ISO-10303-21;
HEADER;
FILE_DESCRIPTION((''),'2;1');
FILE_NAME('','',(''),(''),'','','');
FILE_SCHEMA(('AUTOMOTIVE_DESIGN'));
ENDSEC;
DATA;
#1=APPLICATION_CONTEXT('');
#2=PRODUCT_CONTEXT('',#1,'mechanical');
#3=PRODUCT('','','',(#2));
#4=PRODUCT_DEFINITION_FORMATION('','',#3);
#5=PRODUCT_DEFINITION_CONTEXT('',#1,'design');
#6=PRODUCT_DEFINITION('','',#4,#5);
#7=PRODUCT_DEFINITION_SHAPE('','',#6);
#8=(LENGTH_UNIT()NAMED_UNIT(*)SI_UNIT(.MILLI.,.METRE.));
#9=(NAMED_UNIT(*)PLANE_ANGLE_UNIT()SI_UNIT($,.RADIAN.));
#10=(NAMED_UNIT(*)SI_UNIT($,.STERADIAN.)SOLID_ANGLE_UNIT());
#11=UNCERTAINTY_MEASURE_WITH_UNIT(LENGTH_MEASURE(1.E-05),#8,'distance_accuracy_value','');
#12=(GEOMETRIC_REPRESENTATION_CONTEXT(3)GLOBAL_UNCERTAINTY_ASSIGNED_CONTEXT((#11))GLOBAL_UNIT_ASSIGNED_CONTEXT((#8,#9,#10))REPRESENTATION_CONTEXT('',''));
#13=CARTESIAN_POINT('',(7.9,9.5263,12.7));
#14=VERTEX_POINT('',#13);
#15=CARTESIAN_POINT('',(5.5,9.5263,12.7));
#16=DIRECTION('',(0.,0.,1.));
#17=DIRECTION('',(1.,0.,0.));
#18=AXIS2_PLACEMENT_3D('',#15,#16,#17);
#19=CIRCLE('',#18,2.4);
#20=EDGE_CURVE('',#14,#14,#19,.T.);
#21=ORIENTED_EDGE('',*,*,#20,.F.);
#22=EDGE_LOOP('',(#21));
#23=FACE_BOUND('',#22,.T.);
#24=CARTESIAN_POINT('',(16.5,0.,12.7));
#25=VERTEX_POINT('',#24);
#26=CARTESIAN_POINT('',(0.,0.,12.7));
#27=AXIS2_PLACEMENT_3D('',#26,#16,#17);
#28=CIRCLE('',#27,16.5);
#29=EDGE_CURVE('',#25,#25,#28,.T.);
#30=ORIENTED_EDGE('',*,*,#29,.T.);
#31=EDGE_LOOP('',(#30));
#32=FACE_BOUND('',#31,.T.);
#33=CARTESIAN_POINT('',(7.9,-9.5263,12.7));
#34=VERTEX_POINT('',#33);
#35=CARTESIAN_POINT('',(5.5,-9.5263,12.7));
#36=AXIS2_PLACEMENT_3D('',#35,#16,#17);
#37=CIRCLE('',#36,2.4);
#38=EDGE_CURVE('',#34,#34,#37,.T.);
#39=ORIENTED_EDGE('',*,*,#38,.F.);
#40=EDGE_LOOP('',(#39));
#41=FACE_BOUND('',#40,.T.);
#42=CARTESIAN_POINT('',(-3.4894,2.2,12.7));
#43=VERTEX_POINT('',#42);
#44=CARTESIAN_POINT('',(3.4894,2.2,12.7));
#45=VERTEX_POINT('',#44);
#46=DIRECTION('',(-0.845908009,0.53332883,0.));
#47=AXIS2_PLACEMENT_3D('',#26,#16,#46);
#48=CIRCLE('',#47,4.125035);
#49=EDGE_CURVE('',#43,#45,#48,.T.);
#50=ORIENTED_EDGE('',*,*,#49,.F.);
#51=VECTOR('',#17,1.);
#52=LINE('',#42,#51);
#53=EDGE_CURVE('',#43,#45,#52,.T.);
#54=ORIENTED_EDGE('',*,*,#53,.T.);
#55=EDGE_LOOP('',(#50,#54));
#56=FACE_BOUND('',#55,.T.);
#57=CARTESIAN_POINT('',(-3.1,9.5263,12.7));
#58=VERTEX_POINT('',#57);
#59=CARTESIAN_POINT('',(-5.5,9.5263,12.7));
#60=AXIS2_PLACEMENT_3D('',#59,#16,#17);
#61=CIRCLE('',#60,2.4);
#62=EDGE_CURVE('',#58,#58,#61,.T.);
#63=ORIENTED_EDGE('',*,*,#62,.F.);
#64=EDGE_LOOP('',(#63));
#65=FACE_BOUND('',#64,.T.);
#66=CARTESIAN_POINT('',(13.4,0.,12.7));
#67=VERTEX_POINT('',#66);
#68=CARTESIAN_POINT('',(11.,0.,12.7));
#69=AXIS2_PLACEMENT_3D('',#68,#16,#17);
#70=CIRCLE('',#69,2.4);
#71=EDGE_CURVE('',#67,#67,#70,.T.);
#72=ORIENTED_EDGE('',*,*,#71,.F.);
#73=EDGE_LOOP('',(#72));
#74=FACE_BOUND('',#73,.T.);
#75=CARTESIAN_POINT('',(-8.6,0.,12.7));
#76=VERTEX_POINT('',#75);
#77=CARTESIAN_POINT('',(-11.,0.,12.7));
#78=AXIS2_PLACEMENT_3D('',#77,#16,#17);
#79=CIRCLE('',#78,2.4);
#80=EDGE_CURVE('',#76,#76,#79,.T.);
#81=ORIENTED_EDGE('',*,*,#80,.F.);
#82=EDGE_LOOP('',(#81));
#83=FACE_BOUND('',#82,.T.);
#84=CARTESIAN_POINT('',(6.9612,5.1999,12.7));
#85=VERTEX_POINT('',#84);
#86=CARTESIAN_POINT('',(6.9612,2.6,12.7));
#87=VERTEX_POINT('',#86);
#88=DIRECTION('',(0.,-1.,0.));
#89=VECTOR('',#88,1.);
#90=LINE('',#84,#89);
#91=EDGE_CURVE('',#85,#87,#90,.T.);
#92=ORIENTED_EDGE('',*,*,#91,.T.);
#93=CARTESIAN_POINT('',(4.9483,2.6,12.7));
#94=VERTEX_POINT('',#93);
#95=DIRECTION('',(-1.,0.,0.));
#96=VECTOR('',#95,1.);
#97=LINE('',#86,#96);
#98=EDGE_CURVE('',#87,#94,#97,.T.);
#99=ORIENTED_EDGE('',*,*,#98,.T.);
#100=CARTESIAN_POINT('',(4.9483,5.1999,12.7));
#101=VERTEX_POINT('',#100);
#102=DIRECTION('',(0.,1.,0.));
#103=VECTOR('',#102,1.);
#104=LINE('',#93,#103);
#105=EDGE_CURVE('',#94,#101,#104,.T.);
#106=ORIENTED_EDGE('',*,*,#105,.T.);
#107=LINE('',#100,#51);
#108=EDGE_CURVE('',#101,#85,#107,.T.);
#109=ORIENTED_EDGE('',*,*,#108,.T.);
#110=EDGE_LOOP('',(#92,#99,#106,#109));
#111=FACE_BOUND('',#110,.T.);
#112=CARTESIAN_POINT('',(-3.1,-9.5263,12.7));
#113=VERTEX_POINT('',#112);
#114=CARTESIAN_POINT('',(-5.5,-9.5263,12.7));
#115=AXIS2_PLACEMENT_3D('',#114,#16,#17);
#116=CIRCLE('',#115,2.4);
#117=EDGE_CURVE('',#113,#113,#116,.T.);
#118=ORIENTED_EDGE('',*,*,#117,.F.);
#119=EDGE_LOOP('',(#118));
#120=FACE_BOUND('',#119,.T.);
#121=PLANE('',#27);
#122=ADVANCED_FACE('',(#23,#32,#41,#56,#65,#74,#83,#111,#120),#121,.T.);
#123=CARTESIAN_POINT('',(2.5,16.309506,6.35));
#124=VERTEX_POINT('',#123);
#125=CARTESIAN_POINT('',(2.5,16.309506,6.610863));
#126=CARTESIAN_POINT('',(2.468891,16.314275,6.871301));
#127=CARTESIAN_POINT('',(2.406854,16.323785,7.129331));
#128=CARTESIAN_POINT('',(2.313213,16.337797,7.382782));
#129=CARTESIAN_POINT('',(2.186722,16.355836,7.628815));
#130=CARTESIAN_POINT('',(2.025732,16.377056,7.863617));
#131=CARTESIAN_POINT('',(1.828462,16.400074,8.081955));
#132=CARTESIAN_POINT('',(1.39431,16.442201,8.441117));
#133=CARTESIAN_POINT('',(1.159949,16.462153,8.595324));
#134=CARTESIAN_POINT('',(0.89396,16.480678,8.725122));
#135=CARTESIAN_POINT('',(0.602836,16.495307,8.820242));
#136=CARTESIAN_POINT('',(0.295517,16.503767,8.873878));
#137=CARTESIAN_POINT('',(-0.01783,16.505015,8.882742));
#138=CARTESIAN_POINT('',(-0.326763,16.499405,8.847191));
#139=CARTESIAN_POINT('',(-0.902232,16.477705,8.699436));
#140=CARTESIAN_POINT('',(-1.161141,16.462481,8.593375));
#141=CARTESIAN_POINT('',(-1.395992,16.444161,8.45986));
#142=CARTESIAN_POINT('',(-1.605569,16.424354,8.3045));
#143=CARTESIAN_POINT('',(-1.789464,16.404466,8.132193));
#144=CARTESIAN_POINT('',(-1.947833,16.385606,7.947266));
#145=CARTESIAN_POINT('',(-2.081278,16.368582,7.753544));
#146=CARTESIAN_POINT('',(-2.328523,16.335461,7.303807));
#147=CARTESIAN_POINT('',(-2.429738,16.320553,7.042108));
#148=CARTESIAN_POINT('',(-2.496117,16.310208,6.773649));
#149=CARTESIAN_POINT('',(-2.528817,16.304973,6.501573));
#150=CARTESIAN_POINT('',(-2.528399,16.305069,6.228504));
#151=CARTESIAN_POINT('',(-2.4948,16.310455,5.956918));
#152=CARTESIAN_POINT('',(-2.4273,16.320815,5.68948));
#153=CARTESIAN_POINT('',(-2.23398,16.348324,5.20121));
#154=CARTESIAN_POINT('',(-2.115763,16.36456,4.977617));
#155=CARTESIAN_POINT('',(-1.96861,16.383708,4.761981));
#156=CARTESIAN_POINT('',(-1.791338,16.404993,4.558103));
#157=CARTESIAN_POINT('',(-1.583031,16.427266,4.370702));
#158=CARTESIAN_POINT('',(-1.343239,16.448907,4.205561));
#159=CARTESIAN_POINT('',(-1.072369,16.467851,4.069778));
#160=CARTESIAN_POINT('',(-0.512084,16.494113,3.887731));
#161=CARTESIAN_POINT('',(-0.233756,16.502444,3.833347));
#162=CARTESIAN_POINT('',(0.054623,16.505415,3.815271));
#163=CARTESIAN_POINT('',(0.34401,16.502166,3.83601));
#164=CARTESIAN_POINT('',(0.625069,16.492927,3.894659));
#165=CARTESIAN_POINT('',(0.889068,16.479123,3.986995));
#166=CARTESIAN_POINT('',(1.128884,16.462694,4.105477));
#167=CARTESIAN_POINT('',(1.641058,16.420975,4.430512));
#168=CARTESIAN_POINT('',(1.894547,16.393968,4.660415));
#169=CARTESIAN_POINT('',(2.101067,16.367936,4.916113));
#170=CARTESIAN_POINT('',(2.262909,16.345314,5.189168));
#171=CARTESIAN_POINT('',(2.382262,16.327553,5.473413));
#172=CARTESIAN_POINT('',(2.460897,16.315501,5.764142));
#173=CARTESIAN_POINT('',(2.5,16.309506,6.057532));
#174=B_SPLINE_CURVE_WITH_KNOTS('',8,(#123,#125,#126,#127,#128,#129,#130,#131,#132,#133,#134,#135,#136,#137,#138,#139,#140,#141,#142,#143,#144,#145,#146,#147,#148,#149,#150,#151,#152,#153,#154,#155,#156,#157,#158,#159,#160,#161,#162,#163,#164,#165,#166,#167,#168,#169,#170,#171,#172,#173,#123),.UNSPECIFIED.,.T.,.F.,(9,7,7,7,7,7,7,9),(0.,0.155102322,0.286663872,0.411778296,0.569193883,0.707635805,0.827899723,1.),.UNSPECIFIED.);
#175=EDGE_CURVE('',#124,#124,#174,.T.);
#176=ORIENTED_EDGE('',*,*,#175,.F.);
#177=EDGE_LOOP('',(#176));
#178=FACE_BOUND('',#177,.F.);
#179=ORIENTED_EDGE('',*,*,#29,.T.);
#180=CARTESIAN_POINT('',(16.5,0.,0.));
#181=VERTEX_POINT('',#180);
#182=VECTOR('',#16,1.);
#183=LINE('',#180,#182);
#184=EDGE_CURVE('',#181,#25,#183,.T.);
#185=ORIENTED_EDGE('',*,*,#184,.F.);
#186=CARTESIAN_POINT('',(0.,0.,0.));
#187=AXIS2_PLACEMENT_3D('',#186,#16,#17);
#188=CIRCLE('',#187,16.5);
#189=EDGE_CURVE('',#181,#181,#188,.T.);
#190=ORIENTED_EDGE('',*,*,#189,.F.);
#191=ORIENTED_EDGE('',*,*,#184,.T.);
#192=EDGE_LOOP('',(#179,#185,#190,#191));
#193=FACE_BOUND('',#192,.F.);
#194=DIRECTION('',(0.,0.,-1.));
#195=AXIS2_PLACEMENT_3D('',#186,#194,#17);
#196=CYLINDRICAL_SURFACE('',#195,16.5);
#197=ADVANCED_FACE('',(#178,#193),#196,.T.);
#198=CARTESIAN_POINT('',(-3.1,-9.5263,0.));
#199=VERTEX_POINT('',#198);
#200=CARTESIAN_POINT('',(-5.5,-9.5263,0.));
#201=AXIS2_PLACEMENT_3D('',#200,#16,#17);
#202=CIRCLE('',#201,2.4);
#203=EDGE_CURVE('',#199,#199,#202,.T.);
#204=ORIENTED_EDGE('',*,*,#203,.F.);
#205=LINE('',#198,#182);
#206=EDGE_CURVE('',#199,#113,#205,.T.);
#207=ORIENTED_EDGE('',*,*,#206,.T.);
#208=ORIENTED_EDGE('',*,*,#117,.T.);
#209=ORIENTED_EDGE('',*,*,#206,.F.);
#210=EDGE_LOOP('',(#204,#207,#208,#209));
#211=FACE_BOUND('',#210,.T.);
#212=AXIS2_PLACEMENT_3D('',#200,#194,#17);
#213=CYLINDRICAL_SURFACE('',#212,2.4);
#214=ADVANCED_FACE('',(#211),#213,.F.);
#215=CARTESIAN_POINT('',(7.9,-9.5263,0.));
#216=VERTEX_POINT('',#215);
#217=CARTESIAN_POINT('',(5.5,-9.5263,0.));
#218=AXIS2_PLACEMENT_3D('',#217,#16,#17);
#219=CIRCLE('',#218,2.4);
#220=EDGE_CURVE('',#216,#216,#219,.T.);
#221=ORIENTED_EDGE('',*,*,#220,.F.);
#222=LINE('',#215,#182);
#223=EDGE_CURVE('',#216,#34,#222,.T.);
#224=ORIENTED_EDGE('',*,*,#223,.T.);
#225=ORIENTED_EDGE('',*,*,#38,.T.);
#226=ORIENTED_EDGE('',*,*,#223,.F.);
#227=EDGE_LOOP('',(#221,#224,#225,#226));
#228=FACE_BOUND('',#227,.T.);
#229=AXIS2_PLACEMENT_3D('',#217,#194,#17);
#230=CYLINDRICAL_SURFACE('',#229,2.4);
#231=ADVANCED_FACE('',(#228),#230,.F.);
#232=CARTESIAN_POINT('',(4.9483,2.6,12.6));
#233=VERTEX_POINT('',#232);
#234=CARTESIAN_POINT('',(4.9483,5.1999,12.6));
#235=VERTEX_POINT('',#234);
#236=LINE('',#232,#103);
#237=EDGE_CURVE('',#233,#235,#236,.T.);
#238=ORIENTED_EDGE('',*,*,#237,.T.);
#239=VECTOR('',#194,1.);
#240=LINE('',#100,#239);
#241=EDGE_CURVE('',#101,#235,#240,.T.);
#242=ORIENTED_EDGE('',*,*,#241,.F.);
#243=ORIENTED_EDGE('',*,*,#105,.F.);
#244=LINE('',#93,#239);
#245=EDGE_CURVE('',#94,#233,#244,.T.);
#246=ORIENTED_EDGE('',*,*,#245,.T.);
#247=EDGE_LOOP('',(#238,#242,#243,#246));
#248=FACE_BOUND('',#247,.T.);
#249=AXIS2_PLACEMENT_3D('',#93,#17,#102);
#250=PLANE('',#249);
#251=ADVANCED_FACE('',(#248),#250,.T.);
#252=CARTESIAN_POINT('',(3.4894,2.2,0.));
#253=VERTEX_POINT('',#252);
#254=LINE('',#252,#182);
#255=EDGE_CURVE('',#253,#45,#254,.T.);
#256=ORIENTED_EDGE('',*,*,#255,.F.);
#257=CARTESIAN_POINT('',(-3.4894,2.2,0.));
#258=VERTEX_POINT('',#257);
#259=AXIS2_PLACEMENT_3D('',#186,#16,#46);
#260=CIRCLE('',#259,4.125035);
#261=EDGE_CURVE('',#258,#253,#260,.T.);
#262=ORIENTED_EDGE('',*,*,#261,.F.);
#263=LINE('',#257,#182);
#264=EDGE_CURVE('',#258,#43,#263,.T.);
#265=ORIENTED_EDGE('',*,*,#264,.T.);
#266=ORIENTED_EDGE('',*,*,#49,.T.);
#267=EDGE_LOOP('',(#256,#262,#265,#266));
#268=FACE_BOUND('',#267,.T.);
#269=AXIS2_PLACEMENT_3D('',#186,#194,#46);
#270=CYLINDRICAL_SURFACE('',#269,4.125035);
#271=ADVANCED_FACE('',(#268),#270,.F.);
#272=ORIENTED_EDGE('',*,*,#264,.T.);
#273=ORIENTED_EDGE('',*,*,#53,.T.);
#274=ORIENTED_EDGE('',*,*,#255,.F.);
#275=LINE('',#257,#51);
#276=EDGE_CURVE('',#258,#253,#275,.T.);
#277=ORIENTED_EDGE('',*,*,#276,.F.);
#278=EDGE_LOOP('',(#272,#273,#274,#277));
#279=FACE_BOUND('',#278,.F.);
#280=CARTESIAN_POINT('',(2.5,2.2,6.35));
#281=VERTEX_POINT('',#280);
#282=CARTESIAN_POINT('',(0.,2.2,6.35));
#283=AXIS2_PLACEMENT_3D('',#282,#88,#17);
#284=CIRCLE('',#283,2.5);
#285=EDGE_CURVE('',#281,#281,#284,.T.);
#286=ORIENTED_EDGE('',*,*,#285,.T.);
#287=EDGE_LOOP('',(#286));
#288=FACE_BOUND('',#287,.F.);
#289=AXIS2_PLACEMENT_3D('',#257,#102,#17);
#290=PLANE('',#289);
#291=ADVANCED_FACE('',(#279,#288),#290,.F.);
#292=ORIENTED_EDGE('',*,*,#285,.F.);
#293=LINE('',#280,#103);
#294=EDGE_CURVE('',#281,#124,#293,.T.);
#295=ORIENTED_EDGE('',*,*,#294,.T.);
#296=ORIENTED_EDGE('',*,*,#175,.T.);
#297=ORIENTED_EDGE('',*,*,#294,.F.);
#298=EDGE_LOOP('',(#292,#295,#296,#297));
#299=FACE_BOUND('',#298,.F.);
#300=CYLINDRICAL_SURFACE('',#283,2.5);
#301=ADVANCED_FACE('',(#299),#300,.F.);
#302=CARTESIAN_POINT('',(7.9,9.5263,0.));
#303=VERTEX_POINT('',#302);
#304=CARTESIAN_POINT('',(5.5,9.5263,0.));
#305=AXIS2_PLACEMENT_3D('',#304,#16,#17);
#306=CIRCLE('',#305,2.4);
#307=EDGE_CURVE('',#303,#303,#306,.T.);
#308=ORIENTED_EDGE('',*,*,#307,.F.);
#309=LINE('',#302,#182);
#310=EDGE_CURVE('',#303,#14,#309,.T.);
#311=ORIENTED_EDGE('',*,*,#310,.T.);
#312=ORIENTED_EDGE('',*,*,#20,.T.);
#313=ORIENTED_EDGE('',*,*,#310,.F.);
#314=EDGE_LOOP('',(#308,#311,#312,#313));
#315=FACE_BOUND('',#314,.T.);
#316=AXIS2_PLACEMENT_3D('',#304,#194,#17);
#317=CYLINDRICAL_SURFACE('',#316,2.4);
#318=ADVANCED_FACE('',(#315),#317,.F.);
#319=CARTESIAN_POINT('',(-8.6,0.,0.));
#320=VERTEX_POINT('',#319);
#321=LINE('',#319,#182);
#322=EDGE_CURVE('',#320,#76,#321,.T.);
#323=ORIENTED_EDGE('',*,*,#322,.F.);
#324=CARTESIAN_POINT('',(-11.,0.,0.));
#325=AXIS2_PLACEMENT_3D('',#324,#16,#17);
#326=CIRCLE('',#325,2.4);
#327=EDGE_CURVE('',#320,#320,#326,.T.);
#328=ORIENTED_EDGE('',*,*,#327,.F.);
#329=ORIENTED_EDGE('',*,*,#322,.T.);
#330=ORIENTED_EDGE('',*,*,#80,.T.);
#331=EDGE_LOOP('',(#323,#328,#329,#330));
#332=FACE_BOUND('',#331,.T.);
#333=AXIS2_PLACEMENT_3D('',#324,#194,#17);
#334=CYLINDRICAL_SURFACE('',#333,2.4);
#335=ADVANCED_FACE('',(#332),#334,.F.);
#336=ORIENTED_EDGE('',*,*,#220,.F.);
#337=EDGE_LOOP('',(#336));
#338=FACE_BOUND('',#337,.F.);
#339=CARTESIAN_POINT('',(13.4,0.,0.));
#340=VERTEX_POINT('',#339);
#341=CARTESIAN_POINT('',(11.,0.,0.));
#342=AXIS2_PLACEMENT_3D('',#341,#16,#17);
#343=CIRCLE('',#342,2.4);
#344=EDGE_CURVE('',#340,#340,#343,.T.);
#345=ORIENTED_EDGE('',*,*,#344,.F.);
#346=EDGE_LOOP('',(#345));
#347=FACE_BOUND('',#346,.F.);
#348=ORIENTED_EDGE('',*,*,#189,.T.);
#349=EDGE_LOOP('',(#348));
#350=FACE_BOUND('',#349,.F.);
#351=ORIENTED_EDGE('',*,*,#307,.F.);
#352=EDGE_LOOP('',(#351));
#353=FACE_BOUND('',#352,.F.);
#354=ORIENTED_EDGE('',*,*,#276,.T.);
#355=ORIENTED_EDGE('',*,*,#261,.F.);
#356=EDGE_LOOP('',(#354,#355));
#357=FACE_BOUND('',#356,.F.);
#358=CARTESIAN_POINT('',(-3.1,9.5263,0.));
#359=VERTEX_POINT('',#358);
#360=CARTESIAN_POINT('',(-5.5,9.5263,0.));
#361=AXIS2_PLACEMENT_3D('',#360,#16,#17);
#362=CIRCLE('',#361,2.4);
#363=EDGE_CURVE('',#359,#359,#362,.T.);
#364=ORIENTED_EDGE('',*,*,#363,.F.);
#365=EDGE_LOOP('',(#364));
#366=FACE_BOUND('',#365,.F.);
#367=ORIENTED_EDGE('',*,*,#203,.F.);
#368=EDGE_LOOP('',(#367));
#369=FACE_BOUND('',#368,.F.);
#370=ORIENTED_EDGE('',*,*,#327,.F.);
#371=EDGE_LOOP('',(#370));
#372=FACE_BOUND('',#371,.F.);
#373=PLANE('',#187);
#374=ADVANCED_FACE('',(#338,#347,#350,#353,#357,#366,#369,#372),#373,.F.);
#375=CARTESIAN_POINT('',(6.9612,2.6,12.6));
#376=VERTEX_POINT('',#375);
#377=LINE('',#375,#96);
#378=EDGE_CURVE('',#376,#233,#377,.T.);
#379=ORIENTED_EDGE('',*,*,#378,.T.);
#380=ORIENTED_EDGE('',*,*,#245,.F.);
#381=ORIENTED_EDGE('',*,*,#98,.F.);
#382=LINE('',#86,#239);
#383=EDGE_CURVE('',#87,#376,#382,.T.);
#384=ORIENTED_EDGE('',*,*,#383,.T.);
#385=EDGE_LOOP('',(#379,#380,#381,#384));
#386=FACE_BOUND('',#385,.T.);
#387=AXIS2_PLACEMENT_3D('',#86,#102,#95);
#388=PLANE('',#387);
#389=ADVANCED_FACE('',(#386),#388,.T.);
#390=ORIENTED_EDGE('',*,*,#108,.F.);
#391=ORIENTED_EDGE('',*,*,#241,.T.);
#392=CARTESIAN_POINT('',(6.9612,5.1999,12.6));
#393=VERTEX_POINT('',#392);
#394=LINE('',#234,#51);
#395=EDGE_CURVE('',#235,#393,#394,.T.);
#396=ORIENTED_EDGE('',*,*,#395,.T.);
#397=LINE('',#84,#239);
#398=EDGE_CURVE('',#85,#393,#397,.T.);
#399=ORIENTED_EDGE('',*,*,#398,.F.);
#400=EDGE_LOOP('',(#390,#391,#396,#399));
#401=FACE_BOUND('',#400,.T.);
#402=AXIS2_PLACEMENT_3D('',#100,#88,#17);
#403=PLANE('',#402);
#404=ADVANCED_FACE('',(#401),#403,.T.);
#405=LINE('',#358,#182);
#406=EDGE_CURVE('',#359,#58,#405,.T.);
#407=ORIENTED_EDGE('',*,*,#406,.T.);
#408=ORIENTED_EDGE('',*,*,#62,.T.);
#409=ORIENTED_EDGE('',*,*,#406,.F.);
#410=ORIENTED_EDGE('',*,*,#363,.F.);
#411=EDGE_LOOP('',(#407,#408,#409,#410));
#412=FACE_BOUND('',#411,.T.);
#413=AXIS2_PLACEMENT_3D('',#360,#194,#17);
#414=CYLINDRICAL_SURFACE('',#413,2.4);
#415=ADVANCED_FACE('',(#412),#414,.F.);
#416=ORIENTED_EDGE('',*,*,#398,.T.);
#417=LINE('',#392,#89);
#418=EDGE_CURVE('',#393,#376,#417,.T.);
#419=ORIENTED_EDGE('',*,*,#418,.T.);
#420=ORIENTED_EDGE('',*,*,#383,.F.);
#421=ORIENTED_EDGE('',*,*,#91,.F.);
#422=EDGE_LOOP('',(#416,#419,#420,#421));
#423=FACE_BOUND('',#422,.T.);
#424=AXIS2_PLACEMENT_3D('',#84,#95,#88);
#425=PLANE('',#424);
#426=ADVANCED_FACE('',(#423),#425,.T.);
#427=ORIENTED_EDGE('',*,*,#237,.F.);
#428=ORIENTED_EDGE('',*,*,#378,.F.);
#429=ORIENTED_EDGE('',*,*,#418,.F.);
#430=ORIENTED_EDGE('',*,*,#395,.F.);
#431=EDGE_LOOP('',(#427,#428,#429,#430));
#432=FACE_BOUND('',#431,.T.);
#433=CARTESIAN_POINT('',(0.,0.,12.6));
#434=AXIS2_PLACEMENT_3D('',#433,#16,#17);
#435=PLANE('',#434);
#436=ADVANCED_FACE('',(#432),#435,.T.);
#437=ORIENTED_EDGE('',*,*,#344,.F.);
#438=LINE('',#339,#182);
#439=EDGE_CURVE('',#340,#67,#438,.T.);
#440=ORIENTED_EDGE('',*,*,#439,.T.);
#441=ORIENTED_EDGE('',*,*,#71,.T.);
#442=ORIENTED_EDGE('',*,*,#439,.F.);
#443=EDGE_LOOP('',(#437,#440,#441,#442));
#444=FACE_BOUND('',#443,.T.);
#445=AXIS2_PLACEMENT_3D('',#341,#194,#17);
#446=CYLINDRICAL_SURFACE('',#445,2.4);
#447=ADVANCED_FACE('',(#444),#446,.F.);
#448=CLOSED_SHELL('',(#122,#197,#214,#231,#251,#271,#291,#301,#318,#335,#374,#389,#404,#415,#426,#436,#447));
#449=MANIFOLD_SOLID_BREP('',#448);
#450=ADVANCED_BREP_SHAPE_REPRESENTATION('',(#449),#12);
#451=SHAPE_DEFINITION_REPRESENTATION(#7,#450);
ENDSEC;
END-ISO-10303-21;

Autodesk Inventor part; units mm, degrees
ref_plane "YZ Plane" through (0, 0, 0) normal (1, 0, 0) x (0, 1, 0)
ref_plane "XZ Plane" through (0, 0, 0) normal (0, 1, 0) x (-1, 0, 0)
ref_plane "XY Plane" through (0, 0, 0) normal (0, 0, 1) x (1, 0, 0)
sketch "Sketch9" plane through (0, 0, 0) normal (0, 0, 1) x (1, 0, 0)
  circle A0 centre (0, 0) radius 4.125 construction
  circle A1 centre (0, 0) radius 16.5
  circle A2 centre (11, 0) radius 2.4
  circle A3 centre (5.5, 9.5263) radius 2.4
  circle A4 centre (-5.5, 9.5263) radius 2.4
  line L0 (-3.4894, 2.2) -> (3.4894, 2.2)
  arc A5 (-3.4894, 2.2) -> (3.4894, 2.2) centre (0, 0) ccw
  circle A6 centre (-11, 0) radius 2.4
  circle A7 centre (-5.5, -9.5263) radius 2.4
  circle A8 centre (5.5, -9.5263) radius 2.4
  dimension "d25" = 8.25
  dimension "d26" = 33
  dimension "d27" = 4.8
  dimension "d31" = 360
  dimension "d33" = 2.2
  dimension "d36" = 11
extrude "Extrusion8" add sketch "Sketch9" along normal blind 12.7
sketch "Sketch10" plane through (-3.4894, 2.2, 0) normal (0, -1, 0) x (1, 0, 0)
  line L0 (6.9787, 0) -> (0, 0) projected
  line L1 (6.9787, 0) -> (6.9787, 12.7) projected
  line L2 (0, 12.7) -> (6.9787, 12.7) projected
  line L3 (0, 0) -> (0, 12.7) projected
  circle A0 centre (3.4894, 6.35) radius 2.5
  point P0 (3.4894, 0)
  point P1 (3.4894, 12.7)
  point P2 (0, 6.35)
  dimension "d37" = 5
extrude "Extrusion9" cut sketch "Sketch10" against normal through all contours A0
sketch "Sketch11" plane through (0, 0, 12.7) normal (0, 0, 1) x (1, 0, 0)
  line L0 (4.9483, 5.1999) -> (6.9612, 5.1999)
  line L1 (6.9612, 5.1999) -> (6.9612, 2.6)
  line L2 (6.9612, 2.6) -> (4.9483, 2.6)
  line L3 (4.9483, 2.6) -> (4.9483, 5.1999)
  point P0 (0, 0)
extrude "Extrusion10" cut sketch "Sketch11" against normal blind 0.1
properties part number "AA057" material "Aluminum 6061"
